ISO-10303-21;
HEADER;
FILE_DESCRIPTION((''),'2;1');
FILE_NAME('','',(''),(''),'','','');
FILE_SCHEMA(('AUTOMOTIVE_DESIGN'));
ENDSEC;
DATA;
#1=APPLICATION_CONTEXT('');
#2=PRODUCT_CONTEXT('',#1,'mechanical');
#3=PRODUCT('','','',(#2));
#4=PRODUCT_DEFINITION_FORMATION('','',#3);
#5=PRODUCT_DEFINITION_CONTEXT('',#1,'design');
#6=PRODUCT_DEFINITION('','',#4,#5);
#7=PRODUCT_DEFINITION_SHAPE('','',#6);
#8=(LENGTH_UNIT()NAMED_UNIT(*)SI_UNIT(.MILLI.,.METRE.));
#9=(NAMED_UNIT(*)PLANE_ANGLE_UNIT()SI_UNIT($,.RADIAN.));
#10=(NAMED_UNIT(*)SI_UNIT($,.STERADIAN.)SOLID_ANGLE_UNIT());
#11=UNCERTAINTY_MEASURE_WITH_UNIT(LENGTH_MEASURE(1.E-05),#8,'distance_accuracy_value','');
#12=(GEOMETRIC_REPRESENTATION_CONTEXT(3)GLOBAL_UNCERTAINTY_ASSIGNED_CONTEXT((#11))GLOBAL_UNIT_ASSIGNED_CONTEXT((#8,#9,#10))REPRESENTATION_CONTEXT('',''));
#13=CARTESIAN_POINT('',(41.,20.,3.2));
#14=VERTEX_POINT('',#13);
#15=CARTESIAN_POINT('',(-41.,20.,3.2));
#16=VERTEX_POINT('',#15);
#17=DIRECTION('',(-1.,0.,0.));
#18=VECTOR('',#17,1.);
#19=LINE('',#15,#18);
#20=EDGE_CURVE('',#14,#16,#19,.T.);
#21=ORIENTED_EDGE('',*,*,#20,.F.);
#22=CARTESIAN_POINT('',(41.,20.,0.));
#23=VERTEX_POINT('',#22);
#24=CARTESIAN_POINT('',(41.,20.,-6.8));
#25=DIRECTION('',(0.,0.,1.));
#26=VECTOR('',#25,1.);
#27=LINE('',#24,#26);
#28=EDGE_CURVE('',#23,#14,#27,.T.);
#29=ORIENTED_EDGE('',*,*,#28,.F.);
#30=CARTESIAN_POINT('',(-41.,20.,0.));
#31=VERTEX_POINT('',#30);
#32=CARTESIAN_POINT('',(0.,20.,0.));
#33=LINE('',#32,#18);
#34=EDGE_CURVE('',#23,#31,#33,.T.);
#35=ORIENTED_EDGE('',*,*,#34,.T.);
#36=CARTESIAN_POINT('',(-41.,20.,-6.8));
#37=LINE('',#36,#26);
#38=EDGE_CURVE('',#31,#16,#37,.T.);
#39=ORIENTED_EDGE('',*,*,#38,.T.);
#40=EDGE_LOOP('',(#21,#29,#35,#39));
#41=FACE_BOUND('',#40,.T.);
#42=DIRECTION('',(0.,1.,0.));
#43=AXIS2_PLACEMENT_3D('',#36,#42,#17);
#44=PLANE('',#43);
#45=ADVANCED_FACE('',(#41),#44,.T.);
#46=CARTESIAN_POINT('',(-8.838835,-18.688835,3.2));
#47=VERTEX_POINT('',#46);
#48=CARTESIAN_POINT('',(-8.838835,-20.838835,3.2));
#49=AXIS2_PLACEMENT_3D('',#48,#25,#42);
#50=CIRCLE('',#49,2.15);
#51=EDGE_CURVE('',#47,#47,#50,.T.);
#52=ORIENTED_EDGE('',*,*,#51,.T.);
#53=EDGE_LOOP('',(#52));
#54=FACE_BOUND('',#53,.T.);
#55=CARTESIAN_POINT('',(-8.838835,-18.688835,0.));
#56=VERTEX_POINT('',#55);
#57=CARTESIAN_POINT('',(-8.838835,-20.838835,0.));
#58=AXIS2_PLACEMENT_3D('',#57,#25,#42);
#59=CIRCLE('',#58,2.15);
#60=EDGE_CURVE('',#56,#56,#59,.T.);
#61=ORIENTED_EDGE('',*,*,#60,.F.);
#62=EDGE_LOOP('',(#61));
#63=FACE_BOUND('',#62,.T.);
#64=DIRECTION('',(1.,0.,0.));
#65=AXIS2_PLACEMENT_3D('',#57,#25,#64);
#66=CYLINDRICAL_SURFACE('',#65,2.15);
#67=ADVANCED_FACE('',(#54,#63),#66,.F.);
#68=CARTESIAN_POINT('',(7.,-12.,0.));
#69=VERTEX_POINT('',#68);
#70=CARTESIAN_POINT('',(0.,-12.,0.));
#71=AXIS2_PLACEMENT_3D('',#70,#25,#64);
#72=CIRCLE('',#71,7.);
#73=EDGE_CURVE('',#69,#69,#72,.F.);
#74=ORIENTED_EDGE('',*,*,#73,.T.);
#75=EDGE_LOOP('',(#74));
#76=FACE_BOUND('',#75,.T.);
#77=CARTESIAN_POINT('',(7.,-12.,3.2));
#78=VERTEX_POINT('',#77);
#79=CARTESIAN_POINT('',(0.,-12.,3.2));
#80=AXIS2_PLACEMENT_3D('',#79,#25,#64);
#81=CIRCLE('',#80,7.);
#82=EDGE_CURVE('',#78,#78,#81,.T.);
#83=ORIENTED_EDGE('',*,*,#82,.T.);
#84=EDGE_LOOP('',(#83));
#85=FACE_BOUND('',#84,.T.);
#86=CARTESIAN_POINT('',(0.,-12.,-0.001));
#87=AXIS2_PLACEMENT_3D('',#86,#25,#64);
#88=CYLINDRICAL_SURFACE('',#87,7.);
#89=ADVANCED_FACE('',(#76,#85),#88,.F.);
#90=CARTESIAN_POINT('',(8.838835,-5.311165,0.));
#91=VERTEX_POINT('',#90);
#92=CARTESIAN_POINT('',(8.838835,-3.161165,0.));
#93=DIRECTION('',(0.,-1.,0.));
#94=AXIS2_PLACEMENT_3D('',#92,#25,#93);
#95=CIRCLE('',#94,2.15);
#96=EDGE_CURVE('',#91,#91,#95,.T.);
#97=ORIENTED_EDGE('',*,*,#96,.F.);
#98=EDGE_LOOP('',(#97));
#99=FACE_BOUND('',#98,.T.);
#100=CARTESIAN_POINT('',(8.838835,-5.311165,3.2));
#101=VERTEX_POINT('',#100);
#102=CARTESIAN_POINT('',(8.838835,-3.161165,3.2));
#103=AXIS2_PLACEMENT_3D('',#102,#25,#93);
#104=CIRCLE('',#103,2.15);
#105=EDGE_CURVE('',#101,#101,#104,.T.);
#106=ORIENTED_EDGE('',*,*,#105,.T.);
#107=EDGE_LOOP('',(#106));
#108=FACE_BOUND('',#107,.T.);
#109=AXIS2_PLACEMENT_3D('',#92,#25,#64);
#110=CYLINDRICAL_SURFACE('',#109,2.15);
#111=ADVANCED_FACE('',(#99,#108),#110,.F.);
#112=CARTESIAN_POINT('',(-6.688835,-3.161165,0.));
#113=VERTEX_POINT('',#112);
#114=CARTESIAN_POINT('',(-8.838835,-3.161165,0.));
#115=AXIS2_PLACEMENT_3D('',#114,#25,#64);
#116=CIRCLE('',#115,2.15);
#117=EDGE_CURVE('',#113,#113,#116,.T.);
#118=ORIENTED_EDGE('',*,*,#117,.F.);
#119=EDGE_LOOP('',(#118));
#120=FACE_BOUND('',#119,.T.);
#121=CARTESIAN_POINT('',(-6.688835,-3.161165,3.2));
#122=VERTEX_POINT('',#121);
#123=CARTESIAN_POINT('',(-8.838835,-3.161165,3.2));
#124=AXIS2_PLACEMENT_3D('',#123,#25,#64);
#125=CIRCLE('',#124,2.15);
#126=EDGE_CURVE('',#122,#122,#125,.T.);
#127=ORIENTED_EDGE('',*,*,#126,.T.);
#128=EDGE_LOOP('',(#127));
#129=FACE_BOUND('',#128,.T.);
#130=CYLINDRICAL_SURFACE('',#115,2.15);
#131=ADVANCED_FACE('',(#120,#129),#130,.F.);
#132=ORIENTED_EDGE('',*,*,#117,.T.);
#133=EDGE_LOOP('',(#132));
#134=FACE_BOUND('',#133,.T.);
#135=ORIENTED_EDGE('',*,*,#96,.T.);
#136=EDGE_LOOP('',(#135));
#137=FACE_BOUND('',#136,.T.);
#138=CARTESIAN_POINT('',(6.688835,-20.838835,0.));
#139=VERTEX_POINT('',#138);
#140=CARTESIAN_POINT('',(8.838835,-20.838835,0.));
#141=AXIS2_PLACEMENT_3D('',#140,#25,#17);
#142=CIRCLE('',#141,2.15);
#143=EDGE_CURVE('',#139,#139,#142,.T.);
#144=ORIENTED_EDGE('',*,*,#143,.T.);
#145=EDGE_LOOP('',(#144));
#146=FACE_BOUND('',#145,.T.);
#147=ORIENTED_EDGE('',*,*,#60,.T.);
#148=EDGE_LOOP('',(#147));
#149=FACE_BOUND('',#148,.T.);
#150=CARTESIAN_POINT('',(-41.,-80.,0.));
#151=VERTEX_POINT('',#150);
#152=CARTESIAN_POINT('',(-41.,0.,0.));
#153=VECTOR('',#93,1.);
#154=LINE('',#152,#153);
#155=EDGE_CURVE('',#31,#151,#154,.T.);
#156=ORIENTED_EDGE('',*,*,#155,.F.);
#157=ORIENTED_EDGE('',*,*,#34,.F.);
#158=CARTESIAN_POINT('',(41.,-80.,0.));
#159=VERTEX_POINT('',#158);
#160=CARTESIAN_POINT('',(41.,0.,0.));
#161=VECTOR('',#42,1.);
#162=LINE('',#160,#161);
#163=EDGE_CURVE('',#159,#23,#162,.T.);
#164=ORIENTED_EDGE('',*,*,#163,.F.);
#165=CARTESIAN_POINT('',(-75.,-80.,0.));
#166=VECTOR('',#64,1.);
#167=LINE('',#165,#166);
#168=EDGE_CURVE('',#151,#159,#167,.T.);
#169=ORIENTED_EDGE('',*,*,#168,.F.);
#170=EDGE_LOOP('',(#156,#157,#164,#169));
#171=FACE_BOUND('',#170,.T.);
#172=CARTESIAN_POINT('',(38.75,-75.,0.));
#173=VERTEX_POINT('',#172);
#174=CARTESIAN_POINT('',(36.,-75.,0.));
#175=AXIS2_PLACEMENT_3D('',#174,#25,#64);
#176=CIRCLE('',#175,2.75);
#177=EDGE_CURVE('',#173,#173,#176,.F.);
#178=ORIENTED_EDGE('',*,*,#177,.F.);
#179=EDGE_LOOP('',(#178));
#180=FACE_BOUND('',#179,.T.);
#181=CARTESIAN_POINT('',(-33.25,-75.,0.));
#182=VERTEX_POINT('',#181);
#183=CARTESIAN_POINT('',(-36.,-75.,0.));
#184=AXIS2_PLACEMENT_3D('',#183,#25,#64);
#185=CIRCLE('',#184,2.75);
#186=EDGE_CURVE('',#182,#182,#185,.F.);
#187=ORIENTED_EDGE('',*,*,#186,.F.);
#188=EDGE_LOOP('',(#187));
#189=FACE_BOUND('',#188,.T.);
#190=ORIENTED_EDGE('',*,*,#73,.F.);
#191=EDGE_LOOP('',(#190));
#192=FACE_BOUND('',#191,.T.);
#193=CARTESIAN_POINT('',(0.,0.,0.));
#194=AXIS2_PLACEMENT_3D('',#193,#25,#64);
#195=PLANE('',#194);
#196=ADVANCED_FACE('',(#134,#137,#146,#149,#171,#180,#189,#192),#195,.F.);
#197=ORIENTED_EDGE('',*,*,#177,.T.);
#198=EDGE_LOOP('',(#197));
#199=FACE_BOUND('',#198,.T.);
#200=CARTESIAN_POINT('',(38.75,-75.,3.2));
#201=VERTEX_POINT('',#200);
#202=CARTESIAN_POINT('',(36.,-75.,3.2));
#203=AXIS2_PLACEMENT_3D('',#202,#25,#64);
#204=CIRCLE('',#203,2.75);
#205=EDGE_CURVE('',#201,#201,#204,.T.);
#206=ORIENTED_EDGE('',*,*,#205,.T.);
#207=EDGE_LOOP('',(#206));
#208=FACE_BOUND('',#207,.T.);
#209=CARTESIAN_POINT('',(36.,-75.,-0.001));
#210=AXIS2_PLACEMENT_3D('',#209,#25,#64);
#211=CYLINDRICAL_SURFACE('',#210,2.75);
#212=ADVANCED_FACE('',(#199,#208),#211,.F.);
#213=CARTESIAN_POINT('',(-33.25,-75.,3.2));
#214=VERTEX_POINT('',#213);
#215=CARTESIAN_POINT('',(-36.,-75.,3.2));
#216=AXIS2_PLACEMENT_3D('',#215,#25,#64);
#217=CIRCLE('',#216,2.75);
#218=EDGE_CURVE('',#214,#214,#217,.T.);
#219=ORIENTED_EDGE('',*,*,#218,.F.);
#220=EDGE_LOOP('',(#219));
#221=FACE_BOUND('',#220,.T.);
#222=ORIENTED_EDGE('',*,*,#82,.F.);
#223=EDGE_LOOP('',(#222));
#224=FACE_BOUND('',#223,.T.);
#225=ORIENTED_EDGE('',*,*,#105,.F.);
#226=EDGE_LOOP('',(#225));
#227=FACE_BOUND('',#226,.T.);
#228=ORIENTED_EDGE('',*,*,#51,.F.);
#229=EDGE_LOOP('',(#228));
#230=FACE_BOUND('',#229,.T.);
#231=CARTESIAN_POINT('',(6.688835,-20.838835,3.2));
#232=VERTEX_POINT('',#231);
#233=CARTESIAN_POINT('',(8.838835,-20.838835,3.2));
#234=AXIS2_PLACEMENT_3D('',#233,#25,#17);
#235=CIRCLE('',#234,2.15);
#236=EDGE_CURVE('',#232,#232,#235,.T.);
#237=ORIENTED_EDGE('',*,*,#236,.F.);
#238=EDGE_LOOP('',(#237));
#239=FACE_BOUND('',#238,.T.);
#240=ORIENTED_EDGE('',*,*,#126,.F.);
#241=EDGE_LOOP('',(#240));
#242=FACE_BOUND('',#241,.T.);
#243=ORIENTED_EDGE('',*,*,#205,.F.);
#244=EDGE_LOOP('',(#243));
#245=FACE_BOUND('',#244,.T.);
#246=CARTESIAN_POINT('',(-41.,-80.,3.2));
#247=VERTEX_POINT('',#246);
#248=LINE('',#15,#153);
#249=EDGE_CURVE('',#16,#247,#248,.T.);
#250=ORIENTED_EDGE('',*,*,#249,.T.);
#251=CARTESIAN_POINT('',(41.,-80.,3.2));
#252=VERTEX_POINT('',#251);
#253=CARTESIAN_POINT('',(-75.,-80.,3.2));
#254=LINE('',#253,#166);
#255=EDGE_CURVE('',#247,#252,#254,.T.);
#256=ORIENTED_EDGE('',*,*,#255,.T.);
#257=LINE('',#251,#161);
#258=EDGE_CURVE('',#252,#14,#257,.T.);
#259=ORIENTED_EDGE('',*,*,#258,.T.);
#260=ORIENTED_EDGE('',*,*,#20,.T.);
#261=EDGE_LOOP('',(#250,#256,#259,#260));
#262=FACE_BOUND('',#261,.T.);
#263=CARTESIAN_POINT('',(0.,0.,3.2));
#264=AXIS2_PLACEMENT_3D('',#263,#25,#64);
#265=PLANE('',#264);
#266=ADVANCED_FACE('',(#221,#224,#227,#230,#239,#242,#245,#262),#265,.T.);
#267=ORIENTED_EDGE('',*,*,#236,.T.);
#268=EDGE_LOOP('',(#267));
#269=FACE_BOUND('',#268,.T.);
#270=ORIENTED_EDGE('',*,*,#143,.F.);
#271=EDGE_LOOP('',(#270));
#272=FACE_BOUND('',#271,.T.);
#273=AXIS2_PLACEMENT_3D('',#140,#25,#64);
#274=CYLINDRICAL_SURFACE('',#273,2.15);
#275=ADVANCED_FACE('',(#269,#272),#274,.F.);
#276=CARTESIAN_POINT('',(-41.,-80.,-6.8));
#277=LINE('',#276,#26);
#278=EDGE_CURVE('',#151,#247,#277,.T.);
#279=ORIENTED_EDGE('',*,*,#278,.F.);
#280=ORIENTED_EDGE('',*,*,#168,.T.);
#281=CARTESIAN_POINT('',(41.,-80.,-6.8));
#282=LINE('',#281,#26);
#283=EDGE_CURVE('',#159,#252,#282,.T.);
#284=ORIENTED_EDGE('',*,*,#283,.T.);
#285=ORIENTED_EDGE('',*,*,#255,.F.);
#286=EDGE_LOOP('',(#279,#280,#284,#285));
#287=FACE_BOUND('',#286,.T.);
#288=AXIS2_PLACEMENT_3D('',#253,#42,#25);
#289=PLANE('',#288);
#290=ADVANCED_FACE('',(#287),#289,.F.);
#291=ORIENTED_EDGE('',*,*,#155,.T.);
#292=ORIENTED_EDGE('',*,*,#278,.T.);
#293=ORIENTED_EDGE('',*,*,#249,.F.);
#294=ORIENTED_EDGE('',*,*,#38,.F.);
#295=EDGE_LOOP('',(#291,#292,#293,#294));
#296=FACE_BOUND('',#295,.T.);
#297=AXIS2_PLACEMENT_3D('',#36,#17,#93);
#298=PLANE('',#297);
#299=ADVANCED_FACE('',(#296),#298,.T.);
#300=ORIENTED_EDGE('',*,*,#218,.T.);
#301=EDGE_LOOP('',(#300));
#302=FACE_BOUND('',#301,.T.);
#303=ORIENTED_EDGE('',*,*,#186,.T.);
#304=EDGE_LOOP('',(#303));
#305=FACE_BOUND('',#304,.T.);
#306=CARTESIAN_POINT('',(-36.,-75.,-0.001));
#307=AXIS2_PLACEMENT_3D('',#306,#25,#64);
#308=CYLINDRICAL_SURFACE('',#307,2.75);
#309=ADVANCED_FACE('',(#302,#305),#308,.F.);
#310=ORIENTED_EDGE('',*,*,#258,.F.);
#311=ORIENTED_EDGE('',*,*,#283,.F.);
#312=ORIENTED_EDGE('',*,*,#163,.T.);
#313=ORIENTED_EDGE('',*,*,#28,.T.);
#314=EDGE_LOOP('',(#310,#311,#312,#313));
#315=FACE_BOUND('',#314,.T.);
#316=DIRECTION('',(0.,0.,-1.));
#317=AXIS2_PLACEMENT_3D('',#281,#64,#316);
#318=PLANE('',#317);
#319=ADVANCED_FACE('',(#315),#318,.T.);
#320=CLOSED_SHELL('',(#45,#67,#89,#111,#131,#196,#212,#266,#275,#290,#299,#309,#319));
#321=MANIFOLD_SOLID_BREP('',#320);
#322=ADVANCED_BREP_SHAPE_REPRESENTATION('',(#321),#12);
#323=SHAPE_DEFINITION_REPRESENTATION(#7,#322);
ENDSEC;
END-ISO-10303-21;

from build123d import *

# Parameters (mm, degrees)
SKETCH1_W           = 150
SKETCH1_H           = 160
BOSS_EXTRUDE1_DEPTH = 3.2
CUT_EXTRUDE1_REACH  = 5.2
SKETCH2_R           = 7
SKETCH2_R_2         = 2.75
SKETCH3_R           = 2.15
CUT_EXTRUDE2_DEPTH  = 4.2
CIRPATTERN1_COUNT   = 4
SKETCH5_OUTSIDE_W   = 195.868
SKETCH5_OUTSIDE_H   = 205.868
SKETCH5_OUTSIDE_W_2 = 82
SKETCH5_OUTSIDE_H_2 = 100
CUT_EXTRUDE4_DEPTH  = 10


with BuildPart() as part:
    # Sketch1 → Boss-Extrude1 (new body)
    with BuildSketch(Plane.XY):
        Rectangle(SKETCH1_W, SKETCH1_H)
    extrude(amount=BOSS_EXTRUDE1_DEPTH)

    # Sketch2 → Cut-Extrude1 (cut, up to next)
    with BuildSketch(Plane.XY.offset(3.2), mode=Mode.PRIVATE) as cut_extrude1_sk1:
        with Locations((0, -12)):
            Circle(SKETCH2_R)
    cut_extrude1_tool1 = extrude(cut_extrude1_sk1.sketch, amount=-CUT_EXTRUDE1_REACH, mode=Mode.PRIVATE) & part.part
    add(cut_extrude1_tool1.solids().sort_by_distance((0, -12, 3.2))[0], mode=Mode.SUBTRACT)
    # Sketch2 → Cut-Extrude1 (cut, up to next)
    with BuildSketch(Plane.XY.offset(3.2), mode=Mode.PRIVATE) as cut_extrude1_sk2:
        with Locations((-36, -75)):
            Circle(SKETCH2_R_2)
    cut_extrude1_tool2 = extrude(cut_extrude1_sk2.sketch, amount=-CUT_EXTRUDE1_REACH, mode=Mode.PRIVATE) & part.part
    add(cut_extrude1_tool2.solids().sort_by_distance((-36, -75, 3.2))[0], mode=Mode.SUBTRACT)
    # Sketch2 → Cut-Extrude1 (cut, up to next)
    with BuildSketch(Plane.XY.offset(3.2), mode=Mode.PRIVATE) as cut_extrude1_sk3:
        with Locations((36, -75)):
            Circle(SKETCH2_R_2)
    cut_extrude1_tool3 = extrude(cut_extrude1_sk3.sketch, amount=-CUT_EXTRUDE1_REACH, mode=Mode.PRIVATE) & part.part
    add(cut_extrude1_tool3.solids().sort_by_distance((36, -75, 3.2))[0], mode=Mode.SUBTRACT)

    # Sketch3 → Cut-Extrude2 (cut, through all)
    with BuildSketch(Plane.XY.offset(3.2)):
        with Locations((-8.838834765, -3.161165235)):
            Circle(SKETCH3_R)
    cut_extrude2 = extrude(amount=-CUT_EXTRUDE2_DEPTH, mode=Mode.SUBTRACT)

    # CirPattern1: Cut-Extrude2 ×4 about axis
    cirpattern1_axis = Axis((0, -12, 0), (0, 0, 1))
    for i in range(1, CIRPATTERN1_COUNT):
        add(cut_extrude2.rotate(cirpattern1_axis, i * 360 / CIRPATTERN1_COUNT), mode=Mode.SUBTRACT)

    # Sketch5 outside → Cut-Extrude4 (cut)
    with BuildSketch(Plane.XY.offset(3.2)):
        Rectangle(SKETCH5_OUTSIDE_W, SKETCH5_OUTSIDE_H)
        with Locations((0, -30)):
            Rectangle(SKETCH5_OUTSIDE_W_2, SKETCH5_OUTSIDE_H_2, mode=Mode.SUBTRACT)
    extrude(amount=-CUT_EXTRUDE4_DEPTH, mode=Mode.SUBTRACT)


solid = part.part
